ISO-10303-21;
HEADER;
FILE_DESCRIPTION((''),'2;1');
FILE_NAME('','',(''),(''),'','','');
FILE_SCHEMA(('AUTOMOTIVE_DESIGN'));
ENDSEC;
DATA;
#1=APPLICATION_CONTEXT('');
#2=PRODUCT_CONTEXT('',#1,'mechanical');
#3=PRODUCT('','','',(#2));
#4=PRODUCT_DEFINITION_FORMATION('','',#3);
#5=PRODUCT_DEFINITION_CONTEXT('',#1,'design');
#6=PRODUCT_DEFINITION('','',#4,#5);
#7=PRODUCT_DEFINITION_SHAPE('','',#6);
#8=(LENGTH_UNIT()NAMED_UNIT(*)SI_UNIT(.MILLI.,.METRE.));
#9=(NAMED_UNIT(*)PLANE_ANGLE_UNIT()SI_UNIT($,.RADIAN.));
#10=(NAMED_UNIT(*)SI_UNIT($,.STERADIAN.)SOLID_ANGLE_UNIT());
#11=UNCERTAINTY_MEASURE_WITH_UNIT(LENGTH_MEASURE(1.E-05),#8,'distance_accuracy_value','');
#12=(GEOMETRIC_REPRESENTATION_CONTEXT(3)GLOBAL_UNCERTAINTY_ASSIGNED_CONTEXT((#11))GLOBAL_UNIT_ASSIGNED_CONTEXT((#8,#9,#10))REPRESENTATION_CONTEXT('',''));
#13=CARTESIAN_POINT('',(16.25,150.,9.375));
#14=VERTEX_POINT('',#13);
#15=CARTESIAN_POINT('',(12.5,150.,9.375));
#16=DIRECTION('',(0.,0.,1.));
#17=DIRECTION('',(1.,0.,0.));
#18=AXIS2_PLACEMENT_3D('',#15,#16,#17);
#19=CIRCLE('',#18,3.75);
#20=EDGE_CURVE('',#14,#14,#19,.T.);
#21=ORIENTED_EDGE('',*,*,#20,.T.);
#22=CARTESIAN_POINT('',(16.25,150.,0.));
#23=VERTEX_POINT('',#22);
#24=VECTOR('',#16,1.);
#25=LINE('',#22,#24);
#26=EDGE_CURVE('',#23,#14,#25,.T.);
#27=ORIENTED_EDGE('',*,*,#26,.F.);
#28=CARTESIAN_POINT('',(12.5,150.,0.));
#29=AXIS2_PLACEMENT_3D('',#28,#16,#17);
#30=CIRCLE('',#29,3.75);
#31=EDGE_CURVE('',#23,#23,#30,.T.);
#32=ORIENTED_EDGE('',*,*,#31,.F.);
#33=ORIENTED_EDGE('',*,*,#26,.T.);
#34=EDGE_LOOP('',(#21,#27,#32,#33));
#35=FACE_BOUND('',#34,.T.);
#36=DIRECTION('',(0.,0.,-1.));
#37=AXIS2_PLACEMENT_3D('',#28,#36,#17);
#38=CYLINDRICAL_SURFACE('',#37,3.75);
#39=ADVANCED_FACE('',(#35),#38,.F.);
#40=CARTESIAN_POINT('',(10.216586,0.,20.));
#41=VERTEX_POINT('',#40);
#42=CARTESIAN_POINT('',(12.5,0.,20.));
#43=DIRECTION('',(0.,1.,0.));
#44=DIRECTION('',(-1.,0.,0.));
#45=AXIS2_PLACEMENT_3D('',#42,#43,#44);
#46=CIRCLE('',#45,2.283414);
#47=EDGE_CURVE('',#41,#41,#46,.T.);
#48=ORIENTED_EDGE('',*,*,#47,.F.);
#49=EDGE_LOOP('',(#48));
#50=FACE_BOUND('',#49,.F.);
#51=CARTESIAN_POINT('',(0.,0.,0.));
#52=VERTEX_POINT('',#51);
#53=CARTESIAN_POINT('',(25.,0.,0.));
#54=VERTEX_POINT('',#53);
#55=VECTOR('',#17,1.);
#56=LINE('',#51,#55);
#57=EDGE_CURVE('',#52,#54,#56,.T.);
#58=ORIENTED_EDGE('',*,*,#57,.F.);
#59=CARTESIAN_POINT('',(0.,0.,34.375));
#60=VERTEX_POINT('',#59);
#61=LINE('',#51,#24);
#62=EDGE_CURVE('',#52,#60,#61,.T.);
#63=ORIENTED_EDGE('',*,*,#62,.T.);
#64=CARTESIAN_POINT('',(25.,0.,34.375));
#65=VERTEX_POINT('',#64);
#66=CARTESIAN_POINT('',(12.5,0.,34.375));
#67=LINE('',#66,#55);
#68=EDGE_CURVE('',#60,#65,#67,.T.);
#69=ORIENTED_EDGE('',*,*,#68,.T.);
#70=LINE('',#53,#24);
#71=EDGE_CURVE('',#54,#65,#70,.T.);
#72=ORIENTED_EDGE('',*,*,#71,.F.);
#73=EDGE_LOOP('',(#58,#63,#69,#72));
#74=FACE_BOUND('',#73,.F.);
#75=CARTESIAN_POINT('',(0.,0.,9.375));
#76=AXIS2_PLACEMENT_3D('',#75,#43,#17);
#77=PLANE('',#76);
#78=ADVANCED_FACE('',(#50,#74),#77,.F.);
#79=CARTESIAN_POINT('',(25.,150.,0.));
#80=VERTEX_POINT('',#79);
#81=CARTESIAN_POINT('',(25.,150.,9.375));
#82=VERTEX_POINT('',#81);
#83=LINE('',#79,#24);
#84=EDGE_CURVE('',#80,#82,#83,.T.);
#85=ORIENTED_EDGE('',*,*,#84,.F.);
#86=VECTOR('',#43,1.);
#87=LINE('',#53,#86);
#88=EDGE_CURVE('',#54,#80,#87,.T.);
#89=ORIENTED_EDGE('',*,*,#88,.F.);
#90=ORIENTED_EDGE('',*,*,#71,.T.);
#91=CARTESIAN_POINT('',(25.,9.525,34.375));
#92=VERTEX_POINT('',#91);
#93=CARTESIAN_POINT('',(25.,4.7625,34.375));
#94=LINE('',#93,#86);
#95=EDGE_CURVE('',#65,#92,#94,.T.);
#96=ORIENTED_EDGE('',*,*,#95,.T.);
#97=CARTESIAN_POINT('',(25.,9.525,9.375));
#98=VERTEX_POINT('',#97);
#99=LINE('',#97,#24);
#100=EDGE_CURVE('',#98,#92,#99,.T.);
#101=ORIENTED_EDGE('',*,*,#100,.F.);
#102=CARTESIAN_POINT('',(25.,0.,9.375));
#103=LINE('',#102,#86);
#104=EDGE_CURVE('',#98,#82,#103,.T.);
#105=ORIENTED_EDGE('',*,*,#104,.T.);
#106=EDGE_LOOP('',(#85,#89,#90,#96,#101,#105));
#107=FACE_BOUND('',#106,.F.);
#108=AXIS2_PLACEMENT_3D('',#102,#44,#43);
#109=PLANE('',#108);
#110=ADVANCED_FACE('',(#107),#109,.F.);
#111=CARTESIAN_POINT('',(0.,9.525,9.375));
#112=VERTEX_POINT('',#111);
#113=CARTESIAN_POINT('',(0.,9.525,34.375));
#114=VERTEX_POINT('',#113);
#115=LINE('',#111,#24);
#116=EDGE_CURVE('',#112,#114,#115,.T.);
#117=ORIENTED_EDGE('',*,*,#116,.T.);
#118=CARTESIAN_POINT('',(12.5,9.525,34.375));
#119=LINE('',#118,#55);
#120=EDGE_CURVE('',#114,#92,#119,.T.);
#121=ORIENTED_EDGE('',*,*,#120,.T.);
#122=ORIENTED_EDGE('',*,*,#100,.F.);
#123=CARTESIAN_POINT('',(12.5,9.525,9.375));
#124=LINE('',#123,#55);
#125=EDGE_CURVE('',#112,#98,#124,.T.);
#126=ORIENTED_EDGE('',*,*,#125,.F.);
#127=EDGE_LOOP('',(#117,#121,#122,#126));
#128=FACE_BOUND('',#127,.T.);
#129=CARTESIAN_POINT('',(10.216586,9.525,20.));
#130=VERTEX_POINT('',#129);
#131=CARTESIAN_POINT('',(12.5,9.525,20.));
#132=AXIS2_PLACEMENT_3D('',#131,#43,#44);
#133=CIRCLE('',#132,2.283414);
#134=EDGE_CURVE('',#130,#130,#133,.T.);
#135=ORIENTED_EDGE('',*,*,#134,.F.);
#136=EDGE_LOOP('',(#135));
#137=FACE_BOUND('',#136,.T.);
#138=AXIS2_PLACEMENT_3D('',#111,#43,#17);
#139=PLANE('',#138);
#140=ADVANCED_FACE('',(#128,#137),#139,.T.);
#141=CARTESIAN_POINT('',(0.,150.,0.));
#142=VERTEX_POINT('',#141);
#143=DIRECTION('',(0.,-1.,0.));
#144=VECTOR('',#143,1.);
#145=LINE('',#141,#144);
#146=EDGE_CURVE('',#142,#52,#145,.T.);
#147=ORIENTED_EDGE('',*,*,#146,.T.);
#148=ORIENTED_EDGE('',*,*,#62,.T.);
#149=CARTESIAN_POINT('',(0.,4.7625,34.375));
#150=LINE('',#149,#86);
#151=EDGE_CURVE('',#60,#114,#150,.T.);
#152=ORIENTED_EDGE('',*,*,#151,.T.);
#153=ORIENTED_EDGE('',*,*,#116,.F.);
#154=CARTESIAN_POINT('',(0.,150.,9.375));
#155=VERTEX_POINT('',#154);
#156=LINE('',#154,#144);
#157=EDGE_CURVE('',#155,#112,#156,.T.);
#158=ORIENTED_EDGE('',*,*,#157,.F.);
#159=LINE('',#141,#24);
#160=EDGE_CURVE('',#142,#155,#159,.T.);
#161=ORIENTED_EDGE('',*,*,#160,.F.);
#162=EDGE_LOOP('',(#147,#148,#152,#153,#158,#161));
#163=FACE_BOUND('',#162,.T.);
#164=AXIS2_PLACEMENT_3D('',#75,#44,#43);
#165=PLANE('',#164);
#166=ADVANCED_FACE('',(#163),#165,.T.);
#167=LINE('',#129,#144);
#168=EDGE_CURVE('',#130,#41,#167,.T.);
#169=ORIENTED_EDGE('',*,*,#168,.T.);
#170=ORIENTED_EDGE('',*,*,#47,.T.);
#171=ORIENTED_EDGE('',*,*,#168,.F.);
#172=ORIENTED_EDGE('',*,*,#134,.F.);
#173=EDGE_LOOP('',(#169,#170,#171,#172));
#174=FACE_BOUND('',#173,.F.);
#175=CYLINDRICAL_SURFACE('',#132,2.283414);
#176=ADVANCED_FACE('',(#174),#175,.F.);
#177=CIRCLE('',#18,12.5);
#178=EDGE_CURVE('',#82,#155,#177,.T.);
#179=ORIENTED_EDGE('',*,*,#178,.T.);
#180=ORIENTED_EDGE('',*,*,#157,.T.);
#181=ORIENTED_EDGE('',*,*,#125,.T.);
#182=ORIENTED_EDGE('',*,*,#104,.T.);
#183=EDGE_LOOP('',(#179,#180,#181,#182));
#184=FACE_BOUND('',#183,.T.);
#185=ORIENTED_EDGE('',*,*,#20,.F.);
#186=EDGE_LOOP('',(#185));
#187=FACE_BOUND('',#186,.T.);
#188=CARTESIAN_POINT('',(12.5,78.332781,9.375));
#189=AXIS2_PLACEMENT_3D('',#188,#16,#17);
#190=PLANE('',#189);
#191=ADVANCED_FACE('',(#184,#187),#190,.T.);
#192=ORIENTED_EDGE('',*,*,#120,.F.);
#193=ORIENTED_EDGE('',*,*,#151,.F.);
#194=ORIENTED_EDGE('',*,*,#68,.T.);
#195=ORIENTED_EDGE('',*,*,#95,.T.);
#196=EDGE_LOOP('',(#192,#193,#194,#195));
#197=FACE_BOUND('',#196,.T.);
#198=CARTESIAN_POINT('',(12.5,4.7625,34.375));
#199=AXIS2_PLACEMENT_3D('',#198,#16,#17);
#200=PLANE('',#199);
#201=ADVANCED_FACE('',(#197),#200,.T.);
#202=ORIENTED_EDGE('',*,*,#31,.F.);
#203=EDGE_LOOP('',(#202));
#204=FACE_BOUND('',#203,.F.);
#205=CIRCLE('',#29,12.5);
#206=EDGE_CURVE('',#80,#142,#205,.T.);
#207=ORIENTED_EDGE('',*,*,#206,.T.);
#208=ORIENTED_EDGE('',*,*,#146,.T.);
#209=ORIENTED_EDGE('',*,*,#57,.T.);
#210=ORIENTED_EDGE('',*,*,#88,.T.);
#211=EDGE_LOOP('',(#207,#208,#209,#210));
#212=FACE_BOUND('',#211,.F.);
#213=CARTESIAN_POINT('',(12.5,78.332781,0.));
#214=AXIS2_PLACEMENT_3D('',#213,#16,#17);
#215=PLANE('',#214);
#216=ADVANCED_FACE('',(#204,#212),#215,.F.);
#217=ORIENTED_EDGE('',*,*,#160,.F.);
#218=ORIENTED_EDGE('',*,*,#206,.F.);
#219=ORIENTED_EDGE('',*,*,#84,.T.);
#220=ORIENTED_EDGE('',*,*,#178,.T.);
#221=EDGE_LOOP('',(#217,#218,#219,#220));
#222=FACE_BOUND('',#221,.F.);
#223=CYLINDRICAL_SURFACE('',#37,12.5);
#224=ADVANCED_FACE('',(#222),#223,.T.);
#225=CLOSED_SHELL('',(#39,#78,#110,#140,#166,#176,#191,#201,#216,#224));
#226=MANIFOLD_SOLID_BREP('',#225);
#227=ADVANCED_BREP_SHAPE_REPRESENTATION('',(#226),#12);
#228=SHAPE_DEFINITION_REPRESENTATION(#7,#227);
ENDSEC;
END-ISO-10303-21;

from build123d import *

# Parameters (mm, degrees)
F0_R     = 3.75
F1_DEPTH = 9.375
F2_W     = 25
F2_H     = 9.525
F3_DEPTH = 25
F4_R     = 2.283414
F5_DEPTH = 9.525


with BuildPart() as f1:
    # F0 (on Top) → F1 (new body)
    with BuildSketch(Plane.XY):
        with BuildLine():
            Line((0, 150), (0, 0))
            Line((0, 0), (25, 0))
            Line((25, 0), (25, 150))
            ThreePointArc((25, 150), (12.5, 162.5), (0, 150))
        make_face()
        with Locations((12.5, 150)):
            Circle(F0_R, mode=Mode.SUBTRACT)
    extrude(amount=F1_DEPTH)

    # F2 (on face) → F3 (join)
    with BuildSketch(Plane.XY.offset(9.375)):
        with Locations((12.5, 4.7625)):
            Rectangle(F2_W, F2_H)
    extrude(amount=F3_DEPTH)

    # F4 (on face) → F5 (cut, through all)
    with BuildSketch(Plane(origin=(0, 9.525, 0), x_dir=(-1, 0, 0), z_dir=(0, 1, 0))):
        with Locations((-12.5, 20)):
            Circle(F4_R)
    extrude(amount=-F5_DEPTH, mode=Mode.SUBTRACT)


solid = f1.part
